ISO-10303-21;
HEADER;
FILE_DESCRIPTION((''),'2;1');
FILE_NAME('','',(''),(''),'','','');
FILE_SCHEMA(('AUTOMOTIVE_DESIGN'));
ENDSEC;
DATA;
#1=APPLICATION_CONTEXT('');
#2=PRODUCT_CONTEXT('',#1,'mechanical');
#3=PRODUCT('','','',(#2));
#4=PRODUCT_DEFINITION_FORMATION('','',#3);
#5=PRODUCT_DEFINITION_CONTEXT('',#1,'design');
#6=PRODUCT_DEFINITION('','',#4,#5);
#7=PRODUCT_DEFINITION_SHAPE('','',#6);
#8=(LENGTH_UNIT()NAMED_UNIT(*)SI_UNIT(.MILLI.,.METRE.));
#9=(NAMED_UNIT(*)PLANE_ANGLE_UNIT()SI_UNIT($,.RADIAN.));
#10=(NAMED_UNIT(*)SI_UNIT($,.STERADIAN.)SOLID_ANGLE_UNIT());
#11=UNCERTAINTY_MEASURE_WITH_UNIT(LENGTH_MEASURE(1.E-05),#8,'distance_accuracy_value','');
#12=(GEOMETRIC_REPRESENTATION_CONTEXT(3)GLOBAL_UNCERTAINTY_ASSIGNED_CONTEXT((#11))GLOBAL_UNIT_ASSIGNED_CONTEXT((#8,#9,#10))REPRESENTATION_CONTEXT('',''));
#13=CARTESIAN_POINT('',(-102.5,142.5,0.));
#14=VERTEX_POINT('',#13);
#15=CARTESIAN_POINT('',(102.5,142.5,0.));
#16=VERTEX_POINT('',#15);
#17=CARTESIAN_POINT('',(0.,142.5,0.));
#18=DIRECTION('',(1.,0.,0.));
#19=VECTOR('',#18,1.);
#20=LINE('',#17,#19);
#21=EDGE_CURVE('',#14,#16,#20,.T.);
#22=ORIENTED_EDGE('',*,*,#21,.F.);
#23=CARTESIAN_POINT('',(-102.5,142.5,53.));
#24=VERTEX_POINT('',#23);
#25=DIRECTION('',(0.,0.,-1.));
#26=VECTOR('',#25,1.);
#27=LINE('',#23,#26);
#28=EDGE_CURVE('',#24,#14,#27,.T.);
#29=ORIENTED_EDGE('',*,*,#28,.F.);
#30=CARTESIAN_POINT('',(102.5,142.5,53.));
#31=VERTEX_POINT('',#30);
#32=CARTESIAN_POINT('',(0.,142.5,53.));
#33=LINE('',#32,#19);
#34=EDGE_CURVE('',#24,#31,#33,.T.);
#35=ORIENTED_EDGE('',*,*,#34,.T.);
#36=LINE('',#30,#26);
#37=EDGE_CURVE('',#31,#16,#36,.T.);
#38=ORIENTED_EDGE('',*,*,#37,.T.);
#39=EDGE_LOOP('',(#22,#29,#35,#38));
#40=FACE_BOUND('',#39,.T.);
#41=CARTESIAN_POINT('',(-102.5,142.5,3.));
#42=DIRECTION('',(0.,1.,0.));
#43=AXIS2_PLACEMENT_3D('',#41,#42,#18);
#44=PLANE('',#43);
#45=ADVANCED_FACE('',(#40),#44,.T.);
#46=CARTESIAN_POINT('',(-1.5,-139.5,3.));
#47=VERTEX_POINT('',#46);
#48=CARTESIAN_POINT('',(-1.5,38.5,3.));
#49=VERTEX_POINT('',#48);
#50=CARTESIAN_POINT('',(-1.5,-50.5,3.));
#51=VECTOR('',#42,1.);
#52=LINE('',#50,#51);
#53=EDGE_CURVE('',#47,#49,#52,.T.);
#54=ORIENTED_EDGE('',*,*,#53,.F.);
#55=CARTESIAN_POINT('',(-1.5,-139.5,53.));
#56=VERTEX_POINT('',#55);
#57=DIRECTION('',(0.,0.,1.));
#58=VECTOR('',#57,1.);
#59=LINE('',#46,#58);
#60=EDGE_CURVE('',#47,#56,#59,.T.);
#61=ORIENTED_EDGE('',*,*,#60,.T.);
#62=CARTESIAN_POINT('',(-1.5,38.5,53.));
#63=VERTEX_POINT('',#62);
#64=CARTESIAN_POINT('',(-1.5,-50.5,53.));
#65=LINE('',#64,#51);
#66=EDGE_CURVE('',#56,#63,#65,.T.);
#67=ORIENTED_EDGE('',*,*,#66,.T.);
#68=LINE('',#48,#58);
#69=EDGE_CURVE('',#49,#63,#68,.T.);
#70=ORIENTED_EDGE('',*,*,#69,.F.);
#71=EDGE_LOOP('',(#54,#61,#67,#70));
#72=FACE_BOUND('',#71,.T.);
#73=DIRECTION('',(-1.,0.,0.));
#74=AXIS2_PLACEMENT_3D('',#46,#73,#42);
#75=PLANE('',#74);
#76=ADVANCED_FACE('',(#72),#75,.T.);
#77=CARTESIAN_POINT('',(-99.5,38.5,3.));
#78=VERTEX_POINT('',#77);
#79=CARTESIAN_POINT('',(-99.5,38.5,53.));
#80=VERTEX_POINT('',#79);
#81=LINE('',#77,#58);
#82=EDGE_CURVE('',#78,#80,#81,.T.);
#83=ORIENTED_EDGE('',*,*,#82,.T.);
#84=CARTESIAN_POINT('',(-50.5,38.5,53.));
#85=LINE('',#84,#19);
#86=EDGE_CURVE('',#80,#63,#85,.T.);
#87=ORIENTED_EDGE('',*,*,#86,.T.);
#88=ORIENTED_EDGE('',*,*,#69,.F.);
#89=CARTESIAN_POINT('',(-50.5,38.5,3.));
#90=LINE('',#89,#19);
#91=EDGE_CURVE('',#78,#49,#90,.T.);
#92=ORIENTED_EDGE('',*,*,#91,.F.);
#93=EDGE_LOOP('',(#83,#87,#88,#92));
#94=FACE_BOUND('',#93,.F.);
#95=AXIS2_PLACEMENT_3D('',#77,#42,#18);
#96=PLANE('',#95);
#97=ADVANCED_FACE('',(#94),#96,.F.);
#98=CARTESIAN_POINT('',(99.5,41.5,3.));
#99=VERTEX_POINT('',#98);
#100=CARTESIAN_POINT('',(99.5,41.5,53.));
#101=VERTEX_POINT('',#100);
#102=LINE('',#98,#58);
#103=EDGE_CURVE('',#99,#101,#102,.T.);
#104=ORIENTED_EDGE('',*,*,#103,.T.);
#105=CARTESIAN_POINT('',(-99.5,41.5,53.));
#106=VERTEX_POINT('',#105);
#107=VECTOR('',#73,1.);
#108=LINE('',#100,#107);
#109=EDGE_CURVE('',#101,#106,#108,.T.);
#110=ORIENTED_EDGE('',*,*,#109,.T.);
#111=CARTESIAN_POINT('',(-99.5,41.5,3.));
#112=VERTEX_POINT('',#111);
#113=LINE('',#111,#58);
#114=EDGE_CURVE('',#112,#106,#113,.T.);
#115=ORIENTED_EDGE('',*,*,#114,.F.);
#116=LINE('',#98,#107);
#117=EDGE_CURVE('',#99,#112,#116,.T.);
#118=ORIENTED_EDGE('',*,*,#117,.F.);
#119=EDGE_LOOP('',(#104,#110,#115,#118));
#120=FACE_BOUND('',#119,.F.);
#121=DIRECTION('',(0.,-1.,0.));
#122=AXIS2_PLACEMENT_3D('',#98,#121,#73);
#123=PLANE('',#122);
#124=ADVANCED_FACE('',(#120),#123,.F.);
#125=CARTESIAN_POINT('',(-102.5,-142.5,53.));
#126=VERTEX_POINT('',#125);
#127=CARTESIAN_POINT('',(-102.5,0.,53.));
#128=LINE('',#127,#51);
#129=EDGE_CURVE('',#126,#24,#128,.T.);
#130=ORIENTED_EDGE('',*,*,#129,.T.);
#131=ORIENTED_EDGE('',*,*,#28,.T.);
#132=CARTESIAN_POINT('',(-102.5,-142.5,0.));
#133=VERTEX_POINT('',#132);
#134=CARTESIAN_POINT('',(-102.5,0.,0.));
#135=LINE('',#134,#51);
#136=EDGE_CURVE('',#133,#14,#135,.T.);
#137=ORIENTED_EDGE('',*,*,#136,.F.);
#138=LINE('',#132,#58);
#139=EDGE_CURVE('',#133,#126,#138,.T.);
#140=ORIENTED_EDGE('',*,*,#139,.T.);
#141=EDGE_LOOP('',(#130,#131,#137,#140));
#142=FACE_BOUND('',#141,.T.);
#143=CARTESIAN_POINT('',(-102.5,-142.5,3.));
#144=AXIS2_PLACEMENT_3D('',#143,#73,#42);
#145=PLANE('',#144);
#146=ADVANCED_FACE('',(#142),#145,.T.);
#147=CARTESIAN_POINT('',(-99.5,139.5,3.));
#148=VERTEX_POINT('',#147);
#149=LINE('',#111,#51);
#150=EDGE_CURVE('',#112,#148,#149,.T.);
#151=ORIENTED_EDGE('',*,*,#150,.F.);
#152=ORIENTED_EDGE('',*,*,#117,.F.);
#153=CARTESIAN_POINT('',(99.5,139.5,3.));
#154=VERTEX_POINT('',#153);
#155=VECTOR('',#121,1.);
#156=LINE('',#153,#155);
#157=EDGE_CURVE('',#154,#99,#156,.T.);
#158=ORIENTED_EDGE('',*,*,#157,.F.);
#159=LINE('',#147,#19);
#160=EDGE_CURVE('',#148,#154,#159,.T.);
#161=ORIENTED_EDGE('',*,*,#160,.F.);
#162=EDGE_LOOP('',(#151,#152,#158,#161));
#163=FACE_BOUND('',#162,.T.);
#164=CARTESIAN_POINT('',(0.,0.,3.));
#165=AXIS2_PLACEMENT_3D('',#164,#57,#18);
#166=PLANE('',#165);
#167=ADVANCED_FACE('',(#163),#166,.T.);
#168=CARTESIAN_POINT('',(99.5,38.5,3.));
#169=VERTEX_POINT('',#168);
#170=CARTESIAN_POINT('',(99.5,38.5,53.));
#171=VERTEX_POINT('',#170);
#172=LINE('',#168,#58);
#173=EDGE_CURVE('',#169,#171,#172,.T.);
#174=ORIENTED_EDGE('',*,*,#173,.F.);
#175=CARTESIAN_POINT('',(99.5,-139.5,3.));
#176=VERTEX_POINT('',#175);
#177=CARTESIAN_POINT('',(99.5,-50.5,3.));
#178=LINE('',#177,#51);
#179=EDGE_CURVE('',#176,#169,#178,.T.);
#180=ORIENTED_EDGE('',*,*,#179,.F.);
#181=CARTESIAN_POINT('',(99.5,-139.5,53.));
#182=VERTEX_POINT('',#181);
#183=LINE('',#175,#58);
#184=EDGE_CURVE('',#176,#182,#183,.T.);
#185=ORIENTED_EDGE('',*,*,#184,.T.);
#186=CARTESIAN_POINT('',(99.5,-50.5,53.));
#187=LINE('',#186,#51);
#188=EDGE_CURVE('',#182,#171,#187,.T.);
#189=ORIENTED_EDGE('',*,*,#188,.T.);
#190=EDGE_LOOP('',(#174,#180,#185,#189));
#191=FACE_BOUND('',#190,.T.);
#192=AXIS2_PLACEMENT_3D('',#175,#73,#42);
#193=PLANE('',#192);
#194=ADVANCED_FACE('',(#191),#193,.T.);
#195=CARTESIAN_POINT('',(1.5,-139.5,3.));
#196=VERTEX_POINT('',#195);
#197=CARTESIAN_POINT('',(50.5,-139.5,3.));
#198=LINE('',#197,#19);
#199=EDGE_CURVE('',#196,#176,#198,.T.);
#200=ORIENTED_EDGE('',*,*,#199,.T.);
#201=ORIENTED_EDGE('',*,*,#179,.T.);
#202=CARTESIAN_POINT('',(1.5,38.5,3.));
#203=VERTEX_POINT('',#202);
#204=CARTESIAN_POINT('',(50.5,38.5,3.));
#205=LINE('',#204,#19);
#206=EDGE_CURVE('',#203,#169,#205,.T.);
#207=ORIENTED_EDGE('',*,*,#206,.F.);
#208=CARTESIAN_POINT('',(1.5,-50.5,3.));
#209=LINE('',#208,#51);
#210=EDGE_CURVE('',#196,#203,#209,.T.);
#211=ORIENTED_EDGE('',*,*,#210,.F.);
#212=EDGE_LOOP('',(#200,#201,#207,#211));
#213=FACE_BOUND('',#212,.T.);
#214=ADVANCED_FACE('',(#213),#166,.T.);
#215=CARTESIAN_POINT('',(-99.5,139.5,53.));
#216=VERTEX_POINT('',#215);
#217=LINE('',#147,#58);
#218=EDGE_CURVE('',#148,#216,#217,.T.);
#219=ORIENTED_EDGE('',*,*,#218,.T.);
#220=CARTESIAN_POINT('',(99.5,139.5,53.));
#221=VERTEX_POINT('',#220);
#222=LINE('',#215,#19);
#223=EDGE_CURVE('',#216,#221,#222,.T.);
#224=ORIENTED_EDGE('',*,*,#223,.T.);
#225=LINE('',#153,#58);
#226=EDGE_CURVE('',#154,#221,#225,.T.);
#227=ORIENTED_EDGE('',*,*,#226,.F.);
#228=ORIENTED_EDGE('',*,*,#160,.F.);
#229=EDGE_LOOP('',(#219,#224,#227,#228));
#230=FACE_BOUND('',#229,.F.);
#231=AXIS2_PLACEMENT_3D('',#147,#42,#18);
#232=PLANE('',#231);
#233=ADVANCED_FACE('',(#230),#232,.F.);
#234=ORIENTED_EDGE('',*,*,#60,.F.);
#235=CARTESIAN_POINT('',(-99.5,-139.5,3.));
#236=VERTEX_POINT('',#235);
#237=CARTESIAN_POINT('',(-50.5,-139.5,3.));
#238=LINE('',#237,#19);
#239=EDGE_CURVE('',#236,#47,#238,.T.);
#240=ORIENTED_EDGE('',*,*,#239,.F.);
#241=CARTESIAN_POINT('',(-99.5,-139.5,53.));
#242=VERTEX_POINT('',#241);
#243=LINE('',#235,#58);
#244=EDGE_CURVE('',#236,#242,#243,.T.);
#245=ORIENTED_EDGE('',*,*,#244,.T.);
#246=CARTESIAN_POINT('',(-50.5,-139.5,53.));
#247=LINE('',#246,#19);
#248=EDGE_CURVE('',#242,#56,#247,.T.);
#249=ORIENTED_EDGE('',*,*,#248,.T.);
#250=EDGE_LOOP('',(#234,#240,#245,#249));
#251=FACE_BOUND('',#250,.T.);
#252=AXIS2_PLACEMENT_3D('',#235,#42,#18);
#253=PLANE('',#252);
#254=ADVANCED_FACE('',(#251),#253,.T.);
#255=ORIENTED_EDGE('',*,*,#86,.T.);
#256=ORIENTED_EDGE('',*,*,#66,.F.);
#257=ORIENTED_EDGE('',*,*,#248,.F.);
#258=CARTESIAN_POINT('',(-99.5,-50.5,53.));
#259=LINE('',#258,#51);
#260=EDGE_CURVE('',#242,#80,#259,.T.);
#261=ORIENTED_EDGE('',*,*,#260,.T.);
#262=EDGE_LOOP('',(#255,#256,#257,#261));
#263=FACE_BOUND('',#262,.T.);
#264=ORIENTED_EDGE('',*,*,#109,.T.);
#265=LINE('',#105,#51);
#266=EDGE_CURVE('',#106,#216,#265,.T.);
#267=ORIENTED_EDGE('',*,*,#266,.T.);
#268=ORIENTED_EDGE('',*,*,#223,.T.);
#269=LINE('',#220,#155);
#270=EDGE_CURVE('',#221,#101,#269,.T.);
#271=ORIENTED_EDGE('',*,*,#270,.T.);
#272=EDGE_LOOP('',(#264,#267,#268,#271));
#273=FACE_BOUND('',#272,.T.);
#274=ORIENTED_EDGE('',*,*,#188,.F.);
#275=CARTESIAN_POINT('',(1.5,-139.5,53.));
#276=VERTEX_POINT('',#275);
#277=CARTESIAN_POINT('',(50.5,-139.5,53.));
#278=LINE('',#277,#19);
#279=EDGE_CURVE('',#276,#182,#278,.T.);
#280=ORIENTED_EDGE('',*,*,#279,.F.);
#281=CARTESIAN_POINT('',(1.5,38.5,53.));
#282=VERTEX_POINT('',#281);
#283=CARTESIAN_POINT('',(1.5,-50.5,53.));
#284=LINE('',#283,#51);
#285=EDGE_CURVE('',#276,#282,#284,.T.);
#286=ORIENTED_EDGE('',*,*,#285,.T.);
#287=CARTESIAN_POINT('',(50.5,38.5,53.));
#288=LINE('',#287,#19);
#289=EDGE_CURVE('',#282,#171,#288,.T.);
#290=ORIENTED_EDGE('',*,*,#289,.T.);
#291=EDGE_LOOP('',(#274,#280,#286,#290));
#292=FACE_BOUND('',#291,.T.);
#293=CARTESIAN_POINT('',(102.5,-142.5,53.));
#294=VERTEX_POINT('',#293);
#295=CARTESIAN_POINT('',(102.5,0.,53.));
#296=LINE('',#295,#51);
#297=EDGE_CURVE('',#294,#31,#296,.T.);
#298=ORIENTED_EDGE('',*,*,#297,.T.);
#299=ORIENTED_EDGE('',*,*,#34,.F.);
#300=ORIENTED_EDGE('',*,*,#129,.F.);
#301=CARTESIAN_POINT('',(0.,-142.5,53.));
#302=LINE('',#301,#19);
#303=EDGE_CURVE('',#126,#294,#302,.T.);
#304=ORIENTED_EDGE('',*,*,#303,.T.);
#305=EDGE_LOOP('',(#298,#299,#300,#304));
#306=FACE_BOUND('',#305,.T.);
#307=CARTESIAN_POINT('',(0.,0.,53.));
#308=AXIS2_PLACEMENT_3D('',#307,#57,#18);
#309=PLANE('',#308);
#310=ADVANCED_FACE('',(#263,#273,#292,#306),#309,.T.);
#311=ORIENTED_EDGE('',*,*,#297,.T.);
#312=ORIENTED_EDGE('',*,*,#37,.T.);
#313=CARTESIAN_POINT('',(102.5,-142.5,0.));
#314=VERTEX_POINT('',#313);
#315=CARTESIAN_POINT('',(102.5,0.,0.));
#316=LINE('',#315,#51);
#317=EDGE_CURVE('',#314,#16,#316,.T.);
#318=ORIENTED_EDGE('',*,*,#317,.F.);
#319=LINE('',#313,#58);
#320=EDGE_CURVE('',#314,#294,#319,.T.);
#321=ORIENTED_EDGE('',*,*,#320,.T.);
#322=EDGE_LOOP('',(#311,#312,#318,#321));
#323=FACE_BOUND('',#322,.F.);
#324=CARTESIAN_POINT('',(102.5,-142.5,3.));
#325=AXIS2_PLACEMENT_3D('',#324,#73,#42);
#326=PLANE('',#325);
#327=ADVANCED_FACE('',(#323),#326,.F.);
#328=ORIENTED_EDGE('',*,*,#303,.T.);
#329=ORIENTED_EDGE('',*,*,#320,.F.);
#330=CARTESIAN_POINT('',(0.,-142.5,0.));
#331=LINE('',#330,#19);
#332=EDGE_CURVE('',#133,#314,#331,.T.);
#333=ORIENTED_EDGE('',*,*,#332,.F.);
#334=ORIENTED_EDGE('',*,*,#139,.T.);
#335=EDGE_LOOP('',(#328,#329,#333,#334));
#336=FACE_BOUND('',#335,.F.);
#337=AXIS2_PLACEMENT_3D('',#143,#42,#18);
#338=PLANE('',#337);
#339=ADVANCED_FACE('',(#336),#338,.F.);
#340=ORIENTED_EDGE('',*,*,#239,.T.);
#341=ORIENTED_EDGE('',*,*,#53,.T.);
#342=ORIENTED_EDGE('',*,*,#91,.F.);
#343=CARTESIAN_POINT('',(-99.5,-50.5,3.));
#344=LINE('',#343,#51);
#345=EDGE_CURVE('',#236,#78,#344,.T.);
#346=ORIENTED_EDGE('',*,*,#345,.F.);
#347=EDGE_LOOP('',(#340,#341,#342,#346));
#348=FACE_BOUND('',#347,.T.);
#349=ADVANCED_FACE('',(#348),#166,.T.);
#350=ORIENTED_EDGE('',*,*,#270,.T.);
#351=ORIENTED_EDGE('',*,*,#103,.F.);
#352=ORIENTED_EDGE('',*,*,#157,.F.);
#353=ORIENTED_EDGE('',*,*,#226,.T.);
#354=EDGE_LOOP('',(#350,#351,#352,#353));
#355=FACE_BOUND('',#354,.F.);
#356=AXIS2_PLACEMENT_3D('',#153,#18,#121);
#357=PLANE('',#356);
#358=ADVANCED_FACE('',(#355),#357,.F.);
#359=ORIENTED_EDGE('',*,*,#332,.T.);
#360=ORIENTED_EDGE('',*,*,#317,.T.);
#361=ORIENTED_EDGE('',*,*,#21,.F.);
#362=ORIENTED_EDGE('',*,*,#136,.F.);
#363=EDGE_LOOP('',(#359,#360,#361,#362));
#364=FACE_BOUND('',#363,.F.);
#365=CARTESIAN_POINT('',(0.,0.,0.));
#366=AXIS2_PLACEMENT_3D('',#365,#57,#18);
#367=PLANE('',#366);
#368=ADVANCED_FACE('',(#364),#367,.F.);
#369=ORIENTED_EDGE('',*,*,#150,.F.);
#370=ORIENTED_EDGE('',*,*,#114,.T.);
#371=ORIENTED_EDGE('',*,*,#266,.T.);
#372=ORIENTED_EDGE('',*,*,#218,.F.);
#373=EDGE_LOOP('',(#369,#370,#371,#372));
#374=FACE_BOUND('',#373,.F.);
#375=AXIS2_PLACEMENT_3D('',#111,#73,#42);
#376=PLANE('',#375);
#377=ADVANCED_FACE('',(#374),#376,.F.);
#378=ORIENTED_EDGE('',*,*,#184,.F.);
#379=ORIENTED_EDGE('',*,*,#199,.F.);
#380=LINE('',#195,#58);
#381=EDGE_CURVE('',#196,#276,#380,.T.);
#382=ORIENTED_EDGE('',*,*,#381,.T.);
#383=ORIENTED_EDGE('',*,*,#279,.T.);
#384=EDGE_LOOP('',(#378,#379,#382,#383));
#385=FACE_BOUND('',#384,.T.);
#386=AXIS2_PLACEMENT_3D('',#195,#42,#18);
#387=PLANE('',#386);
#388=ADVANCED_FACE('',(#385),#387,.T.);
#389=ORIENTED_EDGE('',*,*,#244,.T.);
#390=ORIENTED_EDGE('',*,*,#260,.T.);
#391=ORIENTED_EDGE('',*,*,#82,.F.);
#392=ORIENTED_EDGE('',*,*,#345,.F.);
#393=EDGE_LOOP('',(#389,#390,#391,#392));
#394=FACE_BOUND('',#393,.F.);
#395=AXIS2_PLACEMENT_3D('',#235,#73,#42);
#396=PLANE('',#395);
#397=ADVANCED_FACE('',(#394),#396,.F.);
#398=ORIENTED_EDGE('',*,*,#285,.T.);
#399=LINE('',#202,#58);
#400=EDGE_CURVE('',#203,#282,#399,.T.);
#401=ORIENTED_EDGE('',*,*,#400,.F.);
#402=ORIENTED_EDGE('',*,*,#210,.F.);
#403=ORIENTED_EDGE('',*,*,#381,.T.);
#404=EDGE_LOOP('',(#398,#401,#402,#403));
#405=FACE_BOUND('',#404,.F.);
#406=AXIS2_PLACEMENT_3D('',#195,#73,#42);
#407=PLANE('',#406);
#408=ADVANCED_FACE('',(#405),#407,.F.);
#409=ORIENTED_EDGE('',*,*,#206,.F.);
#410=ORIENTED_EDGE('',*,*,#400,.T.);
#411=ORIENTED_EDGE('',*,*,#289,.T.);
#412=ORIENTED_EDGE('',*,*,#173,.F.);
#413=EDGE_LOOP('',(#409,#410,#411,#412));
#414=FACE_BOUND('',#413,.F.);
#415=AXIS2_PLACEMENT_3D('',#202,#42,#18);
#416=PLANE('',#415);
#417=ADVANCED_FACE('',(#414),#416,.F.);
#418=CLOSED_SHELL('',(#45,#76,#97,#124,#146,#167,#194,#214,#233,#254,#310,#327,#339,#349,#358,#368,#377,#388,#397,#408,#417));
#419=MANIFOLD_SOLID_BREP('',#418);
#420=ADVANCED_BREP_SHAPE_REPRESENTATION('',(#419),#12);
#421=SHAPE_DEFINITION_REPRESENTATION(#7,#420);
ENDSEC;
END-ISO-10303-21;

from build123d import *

# Parameters (mm, degrees)
F0_W     = 205
F0_H     = 285
F1_DEPTH = 3
F2_W     = 205
F2_H     = 285
F2_W_2   = 98
F2_H_2   = 178
F3_DEPTH = 50


with BuildPart() as f1:
    # F0 (on Top) → F1 (new body)
    with BuildSketch(Plane.XY):
        Rectangle(F0_W, F0_H)
    extrude(amount=F1_DEPTH)

    # F2 (on face) → F3 (join)
    with BuildSketch(Plane.XY.offset(3)):
        Rectangle(F2_W, F2_H)
        with Locations((-50.5, -50.5)):
            Rectangle(F2_W_2, F2_H_2, mode=Mode.SUBTRACT)
        with Locations((50.5, -50.5)):
            Rectangle(F2_W_2, F2_H_2, mode=Mode.SUBTRACT)
        Polygon((-99.5, 139.5), (99.5, 139.5), (99.5, 41.5), (0, 41.5), (-99.5, 41.5), align=None, mode=Mode.SUBTRACT)
    extrude(amount=F3_DEPTH)


solid = f1.part
